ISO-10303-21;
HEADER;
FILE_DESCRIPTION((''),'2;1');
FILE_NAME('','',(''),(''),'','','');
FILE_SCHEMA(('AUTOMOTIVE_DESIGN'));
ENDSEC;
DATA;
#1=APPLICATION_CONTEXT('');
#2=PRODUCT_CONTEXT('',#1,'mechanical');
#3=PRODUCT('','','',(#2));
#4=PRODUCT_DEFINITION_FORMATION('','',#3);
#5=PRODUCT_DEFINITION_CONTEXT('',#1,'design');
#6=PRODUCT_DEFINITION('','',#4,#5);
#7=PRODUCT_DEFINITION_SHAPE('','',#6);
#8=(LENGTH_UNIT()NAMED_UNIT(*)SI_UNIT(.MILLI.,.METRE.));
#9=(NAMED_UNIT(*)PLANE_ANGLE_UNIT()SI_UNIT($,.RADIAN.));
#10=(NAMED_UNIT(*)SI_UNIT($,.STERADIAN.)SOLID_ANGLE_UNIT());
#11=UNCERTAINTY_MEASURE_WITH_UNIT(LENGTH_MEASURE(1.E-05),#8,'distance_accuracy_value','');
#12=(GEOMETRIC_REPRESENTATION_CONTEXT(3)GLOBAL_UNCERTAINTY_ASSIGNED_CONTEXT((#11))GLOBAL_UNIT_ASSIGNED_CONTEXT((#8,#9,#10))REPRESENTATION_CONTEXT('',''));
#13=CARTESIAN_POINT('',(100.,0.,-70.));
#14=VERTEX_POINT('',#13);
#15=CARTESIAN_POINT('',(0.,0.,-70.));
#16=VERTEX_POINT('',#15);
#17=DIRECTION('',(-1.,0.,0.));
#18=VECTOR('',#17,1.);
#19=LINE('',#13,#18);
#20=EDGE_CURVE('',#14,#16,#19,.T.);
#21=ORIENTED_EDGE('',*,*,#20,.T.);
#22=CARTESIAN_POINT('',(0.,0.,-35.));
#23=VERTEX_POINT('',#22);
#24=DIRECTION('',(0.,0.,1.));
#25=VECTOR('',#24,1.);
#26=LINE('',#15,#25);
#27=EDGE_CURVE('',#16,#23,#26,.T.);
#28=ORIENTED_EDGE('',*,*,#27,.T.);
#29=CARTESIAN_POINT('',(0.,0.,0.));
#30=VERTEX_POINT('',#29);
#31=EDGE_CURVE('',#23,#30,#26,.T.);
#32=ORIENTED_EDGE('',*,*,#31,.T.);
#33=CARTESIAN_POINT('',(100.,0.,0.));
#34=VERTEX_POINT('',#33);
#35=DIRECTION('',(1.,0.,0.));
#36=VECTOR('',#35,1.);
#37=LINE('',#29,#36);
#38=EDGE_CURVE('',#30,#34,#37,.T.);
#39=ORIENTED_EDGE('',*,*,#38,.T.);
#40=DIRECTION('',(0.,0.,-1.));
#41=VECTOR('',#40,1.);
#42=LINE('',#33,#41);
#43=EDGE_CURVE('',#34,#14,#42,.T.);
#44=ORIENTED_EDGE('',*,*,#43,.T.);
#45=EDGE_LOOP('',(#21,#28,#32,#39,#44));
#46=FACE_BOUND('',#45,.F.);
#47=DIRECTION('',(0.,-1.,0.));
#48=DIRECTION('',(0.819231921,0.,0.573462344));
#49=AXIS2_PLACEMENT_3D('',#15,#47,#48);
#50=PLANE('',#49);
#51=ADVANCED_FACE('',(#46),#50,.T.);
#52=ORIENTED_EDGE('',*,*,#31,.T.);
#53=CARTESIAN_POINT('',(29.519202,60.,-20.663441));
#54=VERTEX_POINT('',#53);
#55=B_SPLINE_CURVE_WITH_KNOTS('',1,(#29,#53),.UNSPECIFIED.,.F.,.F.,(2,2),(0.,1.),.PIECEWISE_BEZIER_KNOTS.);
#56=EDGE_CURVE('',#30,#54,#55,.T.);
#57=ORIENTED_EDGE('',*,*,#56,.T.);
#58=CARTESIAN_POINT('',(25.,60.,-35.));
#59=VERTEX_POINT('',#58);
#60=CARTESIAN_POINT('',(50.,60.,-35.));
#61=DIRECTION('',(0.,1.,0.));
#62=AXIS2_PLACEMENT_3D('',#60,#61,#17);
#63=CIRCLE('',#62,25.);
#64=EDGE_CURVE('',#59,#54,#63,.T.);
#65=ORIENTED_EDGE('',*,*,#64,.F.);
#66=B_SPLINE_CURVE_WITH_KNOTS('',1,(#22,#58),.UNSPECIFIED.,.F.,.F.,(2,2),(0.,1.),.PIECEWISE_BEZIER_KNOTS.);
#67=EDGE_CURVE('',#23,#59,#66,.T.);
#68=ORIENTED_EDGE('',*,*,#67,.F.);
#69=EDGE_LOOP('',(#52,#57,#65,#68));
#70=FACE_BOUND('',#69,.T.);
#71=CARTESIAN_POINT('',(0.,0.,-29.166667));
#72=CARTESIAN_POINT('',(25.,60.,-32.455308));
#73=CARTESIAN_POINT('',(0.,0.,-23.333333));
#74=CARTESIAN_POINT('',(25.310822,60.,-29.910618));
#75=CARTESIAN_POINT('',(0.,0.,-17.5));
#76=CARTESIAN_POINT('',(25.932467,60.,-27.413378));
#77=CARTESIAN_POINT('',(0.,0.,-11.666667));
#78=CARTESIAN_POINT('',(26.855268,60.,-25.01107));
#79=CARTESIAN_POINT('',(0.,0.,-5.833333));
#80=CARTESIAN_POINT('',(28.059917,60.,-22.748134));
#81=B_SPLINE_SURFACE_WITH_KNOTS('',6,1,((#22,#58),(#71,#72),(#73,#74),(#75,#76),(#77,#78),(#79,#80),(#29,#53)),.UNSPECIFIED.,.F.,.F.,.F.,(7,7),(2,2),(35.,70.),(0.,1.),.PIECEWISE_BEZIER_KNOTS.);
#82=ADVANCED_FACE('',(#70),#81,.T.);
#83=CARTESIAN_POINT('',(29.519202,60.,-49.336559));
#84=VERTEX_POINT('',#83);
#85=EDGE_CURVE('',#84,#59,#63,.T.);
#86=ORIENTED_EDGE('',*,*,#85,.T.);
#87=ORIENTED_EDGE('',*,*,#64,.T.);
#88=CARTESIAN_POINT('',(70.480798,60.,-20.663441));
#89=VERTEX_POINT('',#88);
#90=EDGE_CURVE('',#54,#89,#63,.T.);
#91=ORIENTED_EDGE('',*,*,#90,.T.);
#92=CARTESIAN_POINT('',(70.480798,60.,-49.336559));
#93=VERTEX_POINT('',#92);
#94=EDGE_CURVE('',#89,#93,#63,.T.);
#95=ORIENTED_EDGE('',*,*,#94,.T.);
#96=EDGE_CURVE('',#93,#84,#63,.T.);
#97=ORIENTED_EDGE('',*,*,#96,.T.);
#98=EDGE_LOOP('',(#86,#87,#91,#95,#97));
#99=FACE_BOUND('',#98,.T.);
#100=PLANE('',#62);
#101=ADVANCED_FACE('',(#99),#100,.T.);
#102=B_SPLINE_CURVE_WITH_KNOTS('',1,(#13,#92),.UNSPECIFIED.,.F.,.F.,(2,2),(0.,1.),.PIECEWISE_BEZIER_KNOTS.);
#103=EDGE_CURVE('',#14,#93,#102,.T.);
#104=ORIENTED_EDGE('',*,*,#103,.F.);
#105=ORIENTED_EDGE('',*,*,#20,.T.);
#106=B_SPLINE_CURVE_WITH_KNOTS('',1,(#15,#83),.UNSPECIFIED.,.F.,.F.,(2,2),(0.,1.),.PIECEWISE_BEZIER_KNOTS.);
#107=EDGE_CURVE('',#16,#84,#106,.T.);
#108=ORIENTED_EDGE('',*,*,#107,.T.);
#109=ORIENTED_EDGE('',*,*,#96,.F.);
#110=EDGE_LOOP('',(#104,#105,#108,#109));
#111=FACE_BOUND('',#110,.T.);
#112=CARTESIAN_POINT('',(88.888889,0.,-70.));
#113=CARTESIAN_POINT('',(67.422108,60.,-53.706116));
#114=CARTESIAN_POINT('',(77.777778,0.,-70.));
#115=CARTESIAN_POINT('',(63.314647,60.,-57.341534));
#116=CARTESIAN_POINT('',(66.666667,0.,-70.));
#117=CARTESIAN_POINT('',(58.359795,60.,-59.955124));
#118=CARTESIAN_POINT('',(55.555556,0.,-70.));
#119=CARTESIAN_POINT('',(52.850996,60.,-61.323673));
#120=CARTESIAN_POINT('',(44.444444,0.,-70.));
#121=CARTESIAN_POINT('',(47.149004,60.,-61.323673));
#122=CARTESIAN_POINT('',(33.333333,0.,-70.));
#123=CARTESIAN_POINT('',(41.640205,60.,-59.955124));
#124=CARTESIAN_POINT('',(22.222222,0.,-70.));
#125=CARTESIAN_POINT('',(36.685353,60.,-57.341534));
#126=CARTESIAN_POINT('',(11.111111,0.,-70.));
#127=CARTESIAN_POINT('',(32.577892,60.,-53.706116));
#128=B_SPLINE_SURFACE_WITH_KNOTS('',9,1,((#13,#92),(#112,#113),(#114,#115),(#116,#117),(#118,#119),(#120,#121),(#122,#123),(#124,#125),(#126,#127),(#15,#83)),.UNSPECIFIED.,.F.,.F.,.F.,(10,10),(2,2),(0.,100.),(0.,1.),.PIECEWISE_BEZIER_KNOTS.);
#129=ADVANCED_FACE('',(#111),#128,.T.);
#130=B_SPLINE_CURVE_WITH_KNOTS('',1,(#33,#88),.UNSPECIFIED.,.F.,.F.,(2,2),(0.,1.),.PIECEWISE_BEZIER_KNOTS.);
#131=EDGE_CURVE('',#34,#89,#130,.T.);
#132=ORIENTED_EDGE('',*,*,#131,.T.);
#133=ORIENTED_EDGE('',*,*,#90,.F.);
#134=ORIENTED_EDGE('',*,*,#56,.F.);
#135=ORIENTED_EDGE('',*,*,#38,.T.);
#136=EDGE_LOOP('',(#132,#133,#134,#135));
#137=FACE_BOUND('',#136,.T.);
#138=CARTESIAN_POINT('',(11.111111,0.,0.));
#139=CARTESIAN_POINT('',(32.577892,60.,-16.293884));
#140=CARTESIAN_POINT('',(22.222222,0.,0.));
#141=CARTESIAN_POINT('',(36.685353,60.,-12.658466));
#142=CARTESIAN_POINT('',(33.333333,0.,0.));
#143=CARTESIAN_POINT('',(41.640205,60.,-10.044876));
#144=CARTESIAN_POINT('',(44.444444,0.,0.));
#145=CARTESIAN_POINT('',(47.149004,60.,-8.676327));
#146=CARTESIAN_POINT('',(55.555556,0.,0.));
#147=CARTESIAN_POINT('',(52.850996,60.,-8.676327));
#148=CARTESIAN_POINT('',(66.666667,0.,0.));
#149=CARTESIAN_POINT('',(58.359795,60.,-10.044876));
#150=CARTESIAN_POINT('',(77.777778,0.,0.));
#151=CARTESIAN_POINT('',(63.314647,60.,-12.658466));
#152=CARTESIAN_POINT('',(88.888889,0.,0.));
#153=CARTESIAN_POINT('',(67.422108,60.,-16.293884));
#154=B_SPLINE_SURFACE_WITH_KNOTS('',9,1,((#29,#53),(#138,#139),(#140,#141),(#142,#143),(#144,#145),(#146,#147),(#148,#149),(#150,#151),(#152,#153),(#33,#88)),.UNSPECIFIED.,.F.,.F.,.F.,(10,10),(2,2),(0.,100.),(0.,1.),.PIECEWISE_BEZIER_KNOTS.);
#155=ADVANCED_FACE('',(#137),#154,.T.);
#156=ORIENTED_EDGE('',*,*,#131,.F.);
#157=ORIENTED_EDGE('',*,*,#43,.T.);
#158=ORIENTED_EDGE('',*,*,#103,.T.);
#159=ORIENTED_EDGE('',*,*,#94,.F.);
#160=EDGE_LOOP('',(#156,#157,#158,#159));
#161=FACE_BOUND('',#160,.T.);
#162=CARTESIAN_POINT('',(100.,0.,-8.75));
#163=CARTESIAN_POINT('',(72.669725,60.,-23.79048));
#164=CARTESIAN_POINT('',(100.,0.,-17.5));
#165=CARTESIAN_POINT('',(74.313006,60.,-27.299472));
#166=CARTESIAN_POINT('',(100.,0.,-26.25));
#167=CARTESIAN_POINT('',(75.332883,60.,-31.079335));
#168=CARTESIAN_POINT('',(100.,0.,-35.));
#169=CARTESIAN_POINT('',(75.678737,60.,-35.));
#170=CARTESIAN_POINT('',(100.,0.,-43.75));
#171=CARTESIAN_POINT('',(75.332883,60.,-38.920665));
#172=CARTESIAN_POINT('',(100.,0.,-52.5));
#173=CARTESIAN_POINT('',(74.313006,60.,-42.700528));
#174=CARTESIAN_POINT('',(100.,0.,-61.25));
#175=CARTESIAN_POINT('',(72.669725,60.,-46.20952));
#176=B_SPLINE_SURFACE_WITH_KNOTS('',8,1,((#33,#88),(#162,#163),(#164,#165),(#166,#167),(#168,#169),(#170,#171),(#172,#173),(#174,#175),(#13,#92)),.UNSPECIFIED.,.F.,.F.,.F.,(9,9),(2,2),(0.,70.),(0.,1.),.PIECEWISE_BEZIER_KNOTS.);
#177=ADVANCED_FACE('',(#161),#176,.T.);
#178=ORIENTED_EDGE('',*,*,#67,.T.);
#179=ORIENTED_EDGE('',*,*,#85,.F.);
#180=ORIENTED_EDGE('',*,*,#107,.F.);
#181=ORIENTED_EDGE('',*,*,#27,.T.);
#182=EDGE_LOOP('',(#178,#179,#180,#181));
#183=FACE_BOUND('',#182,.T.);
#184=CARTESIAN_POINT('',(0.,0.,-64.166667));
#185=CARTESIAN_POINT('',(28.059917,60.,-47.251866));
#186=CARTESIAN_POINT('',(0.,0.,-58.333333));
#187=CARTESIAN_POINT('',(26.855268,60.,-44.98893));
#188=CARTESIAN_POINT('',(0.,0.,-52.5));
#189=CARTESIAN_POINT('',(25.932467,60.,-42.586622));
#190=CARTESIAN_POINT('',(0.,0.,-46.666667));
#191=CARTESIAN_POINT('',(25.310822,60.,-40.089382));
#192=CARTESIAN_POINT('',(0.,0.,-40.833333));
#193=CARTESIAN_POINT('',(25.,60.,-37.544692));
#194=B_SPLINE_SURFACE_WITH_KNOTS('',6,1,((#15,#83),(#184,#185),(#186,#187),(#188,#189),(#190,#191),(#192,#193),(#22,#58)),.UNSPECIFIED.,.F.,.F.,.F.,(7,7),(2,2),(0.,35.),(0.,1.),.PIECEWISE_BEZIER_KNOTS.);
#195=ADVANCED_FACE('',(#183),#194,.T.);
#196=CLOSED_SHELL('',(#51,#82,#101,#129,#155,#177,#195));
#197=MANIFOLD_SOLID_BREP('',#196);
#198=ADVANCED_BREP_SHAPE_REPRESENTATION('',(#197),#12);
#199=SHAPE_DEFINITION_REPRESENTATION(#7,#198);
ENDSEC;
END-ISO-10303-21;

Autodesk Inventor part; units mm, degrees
ref_plane "YZ Plane" through (0, 0, 0) normal (1, 0, 0) x (0, 1, 0)
ref_plane "XY Plane" through (0, 0, 0) normal (0, 0, 1) x (1, 0, 0)
sketch "草圖1" plane through (0, 0, 0) normal (0, 1, 0) x (-1, 0, 0)
  line L0 (0, 0) -> (-100, 0)
  line L1 (-100, 0) -> (-100, -70)
  line L2 (-100, -70) -> (0, -70)
  line L3 (0, -70) -> (0, 0)
  dimension "d0" = 100
  dimension "d1" = 70
ref_plane "工作平面1" through (0, 60, 0) normal (0, 1, 0) x (-1, 0, 0)
sketch "草圖2" plane through (0, 60, 0) normal (0, 1, 0) x (-1, 0, 0)
  circle A0 centre (-50, -35) radius 25
  point P0 (0, 0)
  dimension "d3" = 50
  dimension "d4" = 50
  dimension "d5" = 35
loft "斷面混成1" add profiles "草圖1", "草圖2"
properties part number "410571040-4"
